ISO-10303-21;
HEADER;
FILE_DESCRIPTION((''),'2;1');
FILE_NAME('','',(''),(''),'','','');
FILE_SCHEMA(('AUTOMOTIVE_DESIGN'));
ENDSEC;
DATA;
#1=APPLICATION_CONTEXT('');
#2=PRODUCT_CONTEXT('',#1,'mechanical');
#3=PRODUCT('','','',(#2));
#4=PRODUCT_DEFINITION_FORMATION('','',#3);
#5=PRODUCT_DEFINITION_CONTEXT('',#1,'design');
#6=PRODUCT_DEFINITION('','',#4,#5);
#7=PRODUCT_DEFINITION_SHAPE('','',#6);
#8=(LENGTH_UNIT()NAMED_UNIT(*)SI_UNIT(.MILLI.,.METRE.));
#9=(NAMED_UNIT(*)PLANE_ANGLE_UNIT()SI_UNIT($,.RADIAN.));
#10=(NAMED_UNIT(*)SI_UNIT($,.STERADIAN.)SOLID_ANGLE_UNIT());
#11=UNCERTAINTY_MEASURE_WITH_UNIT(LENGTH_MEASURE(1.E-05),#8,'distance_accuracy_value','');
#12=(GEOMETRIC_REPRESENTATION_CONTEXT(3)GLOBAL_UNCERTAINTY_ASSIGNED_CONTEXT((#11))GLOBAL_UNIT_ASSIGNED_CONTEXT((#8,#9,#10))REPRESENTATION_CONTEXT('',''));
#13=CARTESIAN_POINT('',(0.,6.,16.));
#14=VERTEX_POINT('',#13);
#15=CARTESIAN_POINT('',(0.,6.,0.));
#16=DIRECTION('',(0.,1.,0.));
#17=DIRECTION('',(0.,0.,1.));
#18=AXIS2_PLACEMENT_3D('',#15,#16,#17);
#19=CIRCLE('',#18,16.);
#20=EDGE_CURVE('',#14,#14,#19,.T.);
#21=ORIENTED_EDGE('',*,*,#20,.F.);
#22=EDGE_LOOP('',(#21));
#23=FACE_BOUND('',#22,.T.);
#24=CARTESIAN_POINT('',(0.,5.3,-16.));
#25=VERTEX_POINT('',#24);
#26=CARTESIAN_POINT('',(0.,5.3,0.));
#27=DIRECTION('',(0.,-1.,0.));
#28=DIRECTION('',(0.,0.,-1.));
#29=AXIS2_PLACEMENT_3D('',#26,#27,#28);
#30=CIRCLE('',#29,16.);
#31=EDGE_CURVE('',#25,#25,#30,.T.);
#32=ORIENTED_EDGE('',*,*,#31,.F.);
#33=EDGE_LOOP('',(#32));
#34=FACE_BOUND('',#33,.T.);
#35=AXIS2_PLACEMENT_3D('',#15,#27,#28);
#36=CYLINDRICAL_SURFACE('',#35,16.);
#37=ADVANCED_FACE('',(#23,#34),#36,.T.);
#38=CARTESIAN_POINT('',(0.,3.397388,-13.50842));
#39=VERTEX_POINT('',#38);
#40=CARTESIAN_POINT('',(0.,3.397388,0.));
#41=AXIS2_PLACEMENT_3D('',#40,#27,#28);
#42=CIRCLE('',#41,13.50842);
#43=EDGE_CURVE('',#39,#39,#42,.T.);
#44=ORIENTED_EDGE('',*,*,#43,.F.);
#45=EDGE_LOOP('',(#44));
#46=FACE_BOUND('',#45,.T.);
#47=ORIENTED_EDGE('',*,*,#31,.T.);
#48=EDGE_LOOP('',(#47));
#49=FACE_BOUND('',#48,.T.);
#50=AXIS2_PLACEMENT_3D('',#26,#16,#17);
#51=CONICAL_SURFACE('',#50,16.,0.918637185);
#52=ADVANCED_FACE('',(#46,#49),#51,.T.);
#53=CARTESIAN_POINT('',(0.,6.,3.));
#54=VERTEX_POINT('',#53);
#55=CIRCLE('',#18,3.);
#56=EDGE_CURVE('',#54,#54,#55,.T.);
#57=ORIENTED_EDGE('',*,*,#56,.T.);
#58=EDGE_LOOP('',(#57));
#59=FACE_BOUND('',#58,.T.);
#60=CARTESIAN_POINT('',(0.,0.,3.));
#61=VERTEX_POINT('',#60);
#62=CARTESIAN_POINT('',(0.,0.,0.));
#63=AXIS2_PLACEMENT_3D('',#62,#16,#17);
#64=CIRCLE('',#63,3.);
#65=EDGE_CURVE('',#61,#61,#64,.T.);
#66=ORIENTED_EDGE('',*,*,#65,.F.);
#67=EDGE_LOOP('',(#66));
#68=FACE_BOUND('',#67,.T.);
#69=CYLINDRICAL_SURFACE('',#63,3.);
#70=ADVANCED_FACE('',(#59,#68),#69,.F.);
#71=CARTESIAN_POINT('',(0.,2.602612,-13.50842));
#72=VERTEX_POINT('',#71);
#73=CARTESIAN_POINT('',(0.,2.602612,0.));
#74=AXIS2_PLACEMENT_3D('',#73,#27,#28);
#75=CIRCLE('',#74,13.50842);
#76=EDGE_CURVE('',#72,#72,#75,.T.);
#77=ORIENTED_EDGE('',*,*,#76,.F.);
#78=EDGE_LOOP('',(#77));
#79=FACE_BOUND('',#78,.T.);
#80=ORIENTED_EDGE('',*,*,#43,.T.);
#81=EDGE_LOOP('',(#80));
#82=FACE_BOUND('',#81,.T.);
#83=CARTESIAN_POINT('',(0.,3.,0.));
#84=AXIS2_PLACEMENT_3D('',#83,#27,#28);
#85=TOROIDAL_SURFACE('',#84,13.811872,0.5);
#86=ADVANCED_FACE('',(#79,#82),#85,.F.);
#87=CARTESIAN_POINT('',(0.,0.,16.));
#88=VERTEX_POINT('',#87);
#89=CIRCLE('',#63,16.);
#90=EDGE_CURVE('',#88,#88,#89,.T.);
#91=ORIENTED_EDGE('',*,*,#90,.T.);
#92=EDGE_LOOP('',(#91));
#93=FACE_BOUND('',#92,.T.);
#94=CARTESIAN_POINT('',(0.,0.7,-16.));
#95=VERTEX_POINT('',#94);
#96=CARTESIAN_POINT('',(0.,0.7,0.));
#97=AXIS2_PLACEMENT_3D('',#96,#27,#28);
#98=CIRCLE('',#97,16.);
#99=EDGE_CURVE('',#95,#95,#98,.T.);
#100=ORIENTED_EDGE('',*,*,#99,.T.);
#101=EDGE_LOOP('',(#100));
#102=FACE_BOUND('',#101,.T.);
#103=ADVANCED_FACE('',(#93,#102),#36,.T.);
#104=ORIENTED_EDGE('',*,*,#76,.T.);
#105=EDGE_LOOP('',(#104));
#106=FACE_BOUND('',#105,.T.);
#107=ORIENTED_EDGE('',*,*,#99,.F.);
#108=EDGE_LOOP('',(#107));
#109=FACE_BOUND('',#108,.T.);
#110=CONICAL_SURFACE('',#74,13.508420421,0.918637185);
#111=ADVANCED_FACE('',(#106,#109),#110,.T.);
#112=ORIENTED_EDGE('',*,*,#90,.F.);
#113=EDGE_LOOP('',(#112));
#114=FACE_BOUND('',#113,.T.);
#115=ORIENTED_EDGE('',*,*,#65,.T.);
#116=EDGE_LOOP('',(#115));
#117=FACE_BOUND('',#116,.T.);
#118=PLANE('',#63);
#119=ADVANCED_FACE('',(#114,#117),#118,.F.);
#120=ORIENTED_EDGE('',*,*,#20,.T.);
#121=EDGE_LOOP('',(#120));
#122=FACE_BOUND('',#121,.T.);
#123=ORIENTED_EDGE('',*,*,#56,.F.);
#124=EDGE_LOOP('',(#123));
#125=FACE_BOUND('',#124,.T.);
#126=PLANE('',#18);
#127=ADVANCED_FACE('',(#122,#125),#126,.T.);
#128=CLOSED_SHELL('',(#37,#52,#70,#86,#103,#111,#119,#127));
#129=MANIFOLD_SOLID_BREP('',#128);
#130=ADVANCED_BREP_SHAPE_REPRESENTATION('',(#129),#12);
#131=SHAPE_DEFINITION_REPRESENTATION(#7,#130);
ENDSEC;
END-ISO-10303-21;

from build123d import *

# Parameters (mm, degrees)
SKETCH_1_R          = 16
EXTRUDE_1_DEPTH     = 6
SKETCH_4_R          = 3
CUT_EXTRUDE_2_DEPTH = 24.409399821


with BuildPart() as part:
    # Эскиз1 → Вытянуть1 (new body)
    with BuildSketch(Plane(origin=(0, 0, 0), x_dir=(1, 0, 0), z_dir=(0, 1, 0))):
        with Locations(Location((0, 0, 0), (0, 0, 270))):
            Circle(SKETCH_1_R)
    extrude(amount=EXTRUDE_1_DEPTH)

    # Эскиз2 → Вырез-Повернуть1 (revolve, cut)
    with BuildSketch(Plane.XY, mode=Mode.PRIVATE) as cut_revolve_1_sk:
        with BuildLine():
            Line((16, 0.7), (13.508420421, 2.60261237))
            ThreePointArc((13.508420421, 2.60261237), (13.311872347, 3), (13.508420421, 3.39738763))
            Line((13.508420421, 3.39738763), (16, 5.3))
            Line((16, 5.3), (16, 0.7))
        make_face()
    revolve(cut_revolve_1_sk.sketch.rotate(Axis((0, 0, 0), (0, 1, 0)), 90), axis=Axis((0, 0, 0), (0, 1, 0)), mode=Mode.SUBTRACT)

    # Эскиз4 → Вытянуть2 (cut, through all)
    with BuildSketch(Plane(origin=(0, 6, 0), x_dir=(1, 0, 0), z_dir=(0, 1, 0))):
        with Locations(Location((0, 0, 0), (0, 0, 270))):
            Circle(SKETCH_4_R)
    extrude(amount=-CUT_EXTRUDE_2_DEPTH, mode=Mode.SUBTRACT)


solid = part.part
